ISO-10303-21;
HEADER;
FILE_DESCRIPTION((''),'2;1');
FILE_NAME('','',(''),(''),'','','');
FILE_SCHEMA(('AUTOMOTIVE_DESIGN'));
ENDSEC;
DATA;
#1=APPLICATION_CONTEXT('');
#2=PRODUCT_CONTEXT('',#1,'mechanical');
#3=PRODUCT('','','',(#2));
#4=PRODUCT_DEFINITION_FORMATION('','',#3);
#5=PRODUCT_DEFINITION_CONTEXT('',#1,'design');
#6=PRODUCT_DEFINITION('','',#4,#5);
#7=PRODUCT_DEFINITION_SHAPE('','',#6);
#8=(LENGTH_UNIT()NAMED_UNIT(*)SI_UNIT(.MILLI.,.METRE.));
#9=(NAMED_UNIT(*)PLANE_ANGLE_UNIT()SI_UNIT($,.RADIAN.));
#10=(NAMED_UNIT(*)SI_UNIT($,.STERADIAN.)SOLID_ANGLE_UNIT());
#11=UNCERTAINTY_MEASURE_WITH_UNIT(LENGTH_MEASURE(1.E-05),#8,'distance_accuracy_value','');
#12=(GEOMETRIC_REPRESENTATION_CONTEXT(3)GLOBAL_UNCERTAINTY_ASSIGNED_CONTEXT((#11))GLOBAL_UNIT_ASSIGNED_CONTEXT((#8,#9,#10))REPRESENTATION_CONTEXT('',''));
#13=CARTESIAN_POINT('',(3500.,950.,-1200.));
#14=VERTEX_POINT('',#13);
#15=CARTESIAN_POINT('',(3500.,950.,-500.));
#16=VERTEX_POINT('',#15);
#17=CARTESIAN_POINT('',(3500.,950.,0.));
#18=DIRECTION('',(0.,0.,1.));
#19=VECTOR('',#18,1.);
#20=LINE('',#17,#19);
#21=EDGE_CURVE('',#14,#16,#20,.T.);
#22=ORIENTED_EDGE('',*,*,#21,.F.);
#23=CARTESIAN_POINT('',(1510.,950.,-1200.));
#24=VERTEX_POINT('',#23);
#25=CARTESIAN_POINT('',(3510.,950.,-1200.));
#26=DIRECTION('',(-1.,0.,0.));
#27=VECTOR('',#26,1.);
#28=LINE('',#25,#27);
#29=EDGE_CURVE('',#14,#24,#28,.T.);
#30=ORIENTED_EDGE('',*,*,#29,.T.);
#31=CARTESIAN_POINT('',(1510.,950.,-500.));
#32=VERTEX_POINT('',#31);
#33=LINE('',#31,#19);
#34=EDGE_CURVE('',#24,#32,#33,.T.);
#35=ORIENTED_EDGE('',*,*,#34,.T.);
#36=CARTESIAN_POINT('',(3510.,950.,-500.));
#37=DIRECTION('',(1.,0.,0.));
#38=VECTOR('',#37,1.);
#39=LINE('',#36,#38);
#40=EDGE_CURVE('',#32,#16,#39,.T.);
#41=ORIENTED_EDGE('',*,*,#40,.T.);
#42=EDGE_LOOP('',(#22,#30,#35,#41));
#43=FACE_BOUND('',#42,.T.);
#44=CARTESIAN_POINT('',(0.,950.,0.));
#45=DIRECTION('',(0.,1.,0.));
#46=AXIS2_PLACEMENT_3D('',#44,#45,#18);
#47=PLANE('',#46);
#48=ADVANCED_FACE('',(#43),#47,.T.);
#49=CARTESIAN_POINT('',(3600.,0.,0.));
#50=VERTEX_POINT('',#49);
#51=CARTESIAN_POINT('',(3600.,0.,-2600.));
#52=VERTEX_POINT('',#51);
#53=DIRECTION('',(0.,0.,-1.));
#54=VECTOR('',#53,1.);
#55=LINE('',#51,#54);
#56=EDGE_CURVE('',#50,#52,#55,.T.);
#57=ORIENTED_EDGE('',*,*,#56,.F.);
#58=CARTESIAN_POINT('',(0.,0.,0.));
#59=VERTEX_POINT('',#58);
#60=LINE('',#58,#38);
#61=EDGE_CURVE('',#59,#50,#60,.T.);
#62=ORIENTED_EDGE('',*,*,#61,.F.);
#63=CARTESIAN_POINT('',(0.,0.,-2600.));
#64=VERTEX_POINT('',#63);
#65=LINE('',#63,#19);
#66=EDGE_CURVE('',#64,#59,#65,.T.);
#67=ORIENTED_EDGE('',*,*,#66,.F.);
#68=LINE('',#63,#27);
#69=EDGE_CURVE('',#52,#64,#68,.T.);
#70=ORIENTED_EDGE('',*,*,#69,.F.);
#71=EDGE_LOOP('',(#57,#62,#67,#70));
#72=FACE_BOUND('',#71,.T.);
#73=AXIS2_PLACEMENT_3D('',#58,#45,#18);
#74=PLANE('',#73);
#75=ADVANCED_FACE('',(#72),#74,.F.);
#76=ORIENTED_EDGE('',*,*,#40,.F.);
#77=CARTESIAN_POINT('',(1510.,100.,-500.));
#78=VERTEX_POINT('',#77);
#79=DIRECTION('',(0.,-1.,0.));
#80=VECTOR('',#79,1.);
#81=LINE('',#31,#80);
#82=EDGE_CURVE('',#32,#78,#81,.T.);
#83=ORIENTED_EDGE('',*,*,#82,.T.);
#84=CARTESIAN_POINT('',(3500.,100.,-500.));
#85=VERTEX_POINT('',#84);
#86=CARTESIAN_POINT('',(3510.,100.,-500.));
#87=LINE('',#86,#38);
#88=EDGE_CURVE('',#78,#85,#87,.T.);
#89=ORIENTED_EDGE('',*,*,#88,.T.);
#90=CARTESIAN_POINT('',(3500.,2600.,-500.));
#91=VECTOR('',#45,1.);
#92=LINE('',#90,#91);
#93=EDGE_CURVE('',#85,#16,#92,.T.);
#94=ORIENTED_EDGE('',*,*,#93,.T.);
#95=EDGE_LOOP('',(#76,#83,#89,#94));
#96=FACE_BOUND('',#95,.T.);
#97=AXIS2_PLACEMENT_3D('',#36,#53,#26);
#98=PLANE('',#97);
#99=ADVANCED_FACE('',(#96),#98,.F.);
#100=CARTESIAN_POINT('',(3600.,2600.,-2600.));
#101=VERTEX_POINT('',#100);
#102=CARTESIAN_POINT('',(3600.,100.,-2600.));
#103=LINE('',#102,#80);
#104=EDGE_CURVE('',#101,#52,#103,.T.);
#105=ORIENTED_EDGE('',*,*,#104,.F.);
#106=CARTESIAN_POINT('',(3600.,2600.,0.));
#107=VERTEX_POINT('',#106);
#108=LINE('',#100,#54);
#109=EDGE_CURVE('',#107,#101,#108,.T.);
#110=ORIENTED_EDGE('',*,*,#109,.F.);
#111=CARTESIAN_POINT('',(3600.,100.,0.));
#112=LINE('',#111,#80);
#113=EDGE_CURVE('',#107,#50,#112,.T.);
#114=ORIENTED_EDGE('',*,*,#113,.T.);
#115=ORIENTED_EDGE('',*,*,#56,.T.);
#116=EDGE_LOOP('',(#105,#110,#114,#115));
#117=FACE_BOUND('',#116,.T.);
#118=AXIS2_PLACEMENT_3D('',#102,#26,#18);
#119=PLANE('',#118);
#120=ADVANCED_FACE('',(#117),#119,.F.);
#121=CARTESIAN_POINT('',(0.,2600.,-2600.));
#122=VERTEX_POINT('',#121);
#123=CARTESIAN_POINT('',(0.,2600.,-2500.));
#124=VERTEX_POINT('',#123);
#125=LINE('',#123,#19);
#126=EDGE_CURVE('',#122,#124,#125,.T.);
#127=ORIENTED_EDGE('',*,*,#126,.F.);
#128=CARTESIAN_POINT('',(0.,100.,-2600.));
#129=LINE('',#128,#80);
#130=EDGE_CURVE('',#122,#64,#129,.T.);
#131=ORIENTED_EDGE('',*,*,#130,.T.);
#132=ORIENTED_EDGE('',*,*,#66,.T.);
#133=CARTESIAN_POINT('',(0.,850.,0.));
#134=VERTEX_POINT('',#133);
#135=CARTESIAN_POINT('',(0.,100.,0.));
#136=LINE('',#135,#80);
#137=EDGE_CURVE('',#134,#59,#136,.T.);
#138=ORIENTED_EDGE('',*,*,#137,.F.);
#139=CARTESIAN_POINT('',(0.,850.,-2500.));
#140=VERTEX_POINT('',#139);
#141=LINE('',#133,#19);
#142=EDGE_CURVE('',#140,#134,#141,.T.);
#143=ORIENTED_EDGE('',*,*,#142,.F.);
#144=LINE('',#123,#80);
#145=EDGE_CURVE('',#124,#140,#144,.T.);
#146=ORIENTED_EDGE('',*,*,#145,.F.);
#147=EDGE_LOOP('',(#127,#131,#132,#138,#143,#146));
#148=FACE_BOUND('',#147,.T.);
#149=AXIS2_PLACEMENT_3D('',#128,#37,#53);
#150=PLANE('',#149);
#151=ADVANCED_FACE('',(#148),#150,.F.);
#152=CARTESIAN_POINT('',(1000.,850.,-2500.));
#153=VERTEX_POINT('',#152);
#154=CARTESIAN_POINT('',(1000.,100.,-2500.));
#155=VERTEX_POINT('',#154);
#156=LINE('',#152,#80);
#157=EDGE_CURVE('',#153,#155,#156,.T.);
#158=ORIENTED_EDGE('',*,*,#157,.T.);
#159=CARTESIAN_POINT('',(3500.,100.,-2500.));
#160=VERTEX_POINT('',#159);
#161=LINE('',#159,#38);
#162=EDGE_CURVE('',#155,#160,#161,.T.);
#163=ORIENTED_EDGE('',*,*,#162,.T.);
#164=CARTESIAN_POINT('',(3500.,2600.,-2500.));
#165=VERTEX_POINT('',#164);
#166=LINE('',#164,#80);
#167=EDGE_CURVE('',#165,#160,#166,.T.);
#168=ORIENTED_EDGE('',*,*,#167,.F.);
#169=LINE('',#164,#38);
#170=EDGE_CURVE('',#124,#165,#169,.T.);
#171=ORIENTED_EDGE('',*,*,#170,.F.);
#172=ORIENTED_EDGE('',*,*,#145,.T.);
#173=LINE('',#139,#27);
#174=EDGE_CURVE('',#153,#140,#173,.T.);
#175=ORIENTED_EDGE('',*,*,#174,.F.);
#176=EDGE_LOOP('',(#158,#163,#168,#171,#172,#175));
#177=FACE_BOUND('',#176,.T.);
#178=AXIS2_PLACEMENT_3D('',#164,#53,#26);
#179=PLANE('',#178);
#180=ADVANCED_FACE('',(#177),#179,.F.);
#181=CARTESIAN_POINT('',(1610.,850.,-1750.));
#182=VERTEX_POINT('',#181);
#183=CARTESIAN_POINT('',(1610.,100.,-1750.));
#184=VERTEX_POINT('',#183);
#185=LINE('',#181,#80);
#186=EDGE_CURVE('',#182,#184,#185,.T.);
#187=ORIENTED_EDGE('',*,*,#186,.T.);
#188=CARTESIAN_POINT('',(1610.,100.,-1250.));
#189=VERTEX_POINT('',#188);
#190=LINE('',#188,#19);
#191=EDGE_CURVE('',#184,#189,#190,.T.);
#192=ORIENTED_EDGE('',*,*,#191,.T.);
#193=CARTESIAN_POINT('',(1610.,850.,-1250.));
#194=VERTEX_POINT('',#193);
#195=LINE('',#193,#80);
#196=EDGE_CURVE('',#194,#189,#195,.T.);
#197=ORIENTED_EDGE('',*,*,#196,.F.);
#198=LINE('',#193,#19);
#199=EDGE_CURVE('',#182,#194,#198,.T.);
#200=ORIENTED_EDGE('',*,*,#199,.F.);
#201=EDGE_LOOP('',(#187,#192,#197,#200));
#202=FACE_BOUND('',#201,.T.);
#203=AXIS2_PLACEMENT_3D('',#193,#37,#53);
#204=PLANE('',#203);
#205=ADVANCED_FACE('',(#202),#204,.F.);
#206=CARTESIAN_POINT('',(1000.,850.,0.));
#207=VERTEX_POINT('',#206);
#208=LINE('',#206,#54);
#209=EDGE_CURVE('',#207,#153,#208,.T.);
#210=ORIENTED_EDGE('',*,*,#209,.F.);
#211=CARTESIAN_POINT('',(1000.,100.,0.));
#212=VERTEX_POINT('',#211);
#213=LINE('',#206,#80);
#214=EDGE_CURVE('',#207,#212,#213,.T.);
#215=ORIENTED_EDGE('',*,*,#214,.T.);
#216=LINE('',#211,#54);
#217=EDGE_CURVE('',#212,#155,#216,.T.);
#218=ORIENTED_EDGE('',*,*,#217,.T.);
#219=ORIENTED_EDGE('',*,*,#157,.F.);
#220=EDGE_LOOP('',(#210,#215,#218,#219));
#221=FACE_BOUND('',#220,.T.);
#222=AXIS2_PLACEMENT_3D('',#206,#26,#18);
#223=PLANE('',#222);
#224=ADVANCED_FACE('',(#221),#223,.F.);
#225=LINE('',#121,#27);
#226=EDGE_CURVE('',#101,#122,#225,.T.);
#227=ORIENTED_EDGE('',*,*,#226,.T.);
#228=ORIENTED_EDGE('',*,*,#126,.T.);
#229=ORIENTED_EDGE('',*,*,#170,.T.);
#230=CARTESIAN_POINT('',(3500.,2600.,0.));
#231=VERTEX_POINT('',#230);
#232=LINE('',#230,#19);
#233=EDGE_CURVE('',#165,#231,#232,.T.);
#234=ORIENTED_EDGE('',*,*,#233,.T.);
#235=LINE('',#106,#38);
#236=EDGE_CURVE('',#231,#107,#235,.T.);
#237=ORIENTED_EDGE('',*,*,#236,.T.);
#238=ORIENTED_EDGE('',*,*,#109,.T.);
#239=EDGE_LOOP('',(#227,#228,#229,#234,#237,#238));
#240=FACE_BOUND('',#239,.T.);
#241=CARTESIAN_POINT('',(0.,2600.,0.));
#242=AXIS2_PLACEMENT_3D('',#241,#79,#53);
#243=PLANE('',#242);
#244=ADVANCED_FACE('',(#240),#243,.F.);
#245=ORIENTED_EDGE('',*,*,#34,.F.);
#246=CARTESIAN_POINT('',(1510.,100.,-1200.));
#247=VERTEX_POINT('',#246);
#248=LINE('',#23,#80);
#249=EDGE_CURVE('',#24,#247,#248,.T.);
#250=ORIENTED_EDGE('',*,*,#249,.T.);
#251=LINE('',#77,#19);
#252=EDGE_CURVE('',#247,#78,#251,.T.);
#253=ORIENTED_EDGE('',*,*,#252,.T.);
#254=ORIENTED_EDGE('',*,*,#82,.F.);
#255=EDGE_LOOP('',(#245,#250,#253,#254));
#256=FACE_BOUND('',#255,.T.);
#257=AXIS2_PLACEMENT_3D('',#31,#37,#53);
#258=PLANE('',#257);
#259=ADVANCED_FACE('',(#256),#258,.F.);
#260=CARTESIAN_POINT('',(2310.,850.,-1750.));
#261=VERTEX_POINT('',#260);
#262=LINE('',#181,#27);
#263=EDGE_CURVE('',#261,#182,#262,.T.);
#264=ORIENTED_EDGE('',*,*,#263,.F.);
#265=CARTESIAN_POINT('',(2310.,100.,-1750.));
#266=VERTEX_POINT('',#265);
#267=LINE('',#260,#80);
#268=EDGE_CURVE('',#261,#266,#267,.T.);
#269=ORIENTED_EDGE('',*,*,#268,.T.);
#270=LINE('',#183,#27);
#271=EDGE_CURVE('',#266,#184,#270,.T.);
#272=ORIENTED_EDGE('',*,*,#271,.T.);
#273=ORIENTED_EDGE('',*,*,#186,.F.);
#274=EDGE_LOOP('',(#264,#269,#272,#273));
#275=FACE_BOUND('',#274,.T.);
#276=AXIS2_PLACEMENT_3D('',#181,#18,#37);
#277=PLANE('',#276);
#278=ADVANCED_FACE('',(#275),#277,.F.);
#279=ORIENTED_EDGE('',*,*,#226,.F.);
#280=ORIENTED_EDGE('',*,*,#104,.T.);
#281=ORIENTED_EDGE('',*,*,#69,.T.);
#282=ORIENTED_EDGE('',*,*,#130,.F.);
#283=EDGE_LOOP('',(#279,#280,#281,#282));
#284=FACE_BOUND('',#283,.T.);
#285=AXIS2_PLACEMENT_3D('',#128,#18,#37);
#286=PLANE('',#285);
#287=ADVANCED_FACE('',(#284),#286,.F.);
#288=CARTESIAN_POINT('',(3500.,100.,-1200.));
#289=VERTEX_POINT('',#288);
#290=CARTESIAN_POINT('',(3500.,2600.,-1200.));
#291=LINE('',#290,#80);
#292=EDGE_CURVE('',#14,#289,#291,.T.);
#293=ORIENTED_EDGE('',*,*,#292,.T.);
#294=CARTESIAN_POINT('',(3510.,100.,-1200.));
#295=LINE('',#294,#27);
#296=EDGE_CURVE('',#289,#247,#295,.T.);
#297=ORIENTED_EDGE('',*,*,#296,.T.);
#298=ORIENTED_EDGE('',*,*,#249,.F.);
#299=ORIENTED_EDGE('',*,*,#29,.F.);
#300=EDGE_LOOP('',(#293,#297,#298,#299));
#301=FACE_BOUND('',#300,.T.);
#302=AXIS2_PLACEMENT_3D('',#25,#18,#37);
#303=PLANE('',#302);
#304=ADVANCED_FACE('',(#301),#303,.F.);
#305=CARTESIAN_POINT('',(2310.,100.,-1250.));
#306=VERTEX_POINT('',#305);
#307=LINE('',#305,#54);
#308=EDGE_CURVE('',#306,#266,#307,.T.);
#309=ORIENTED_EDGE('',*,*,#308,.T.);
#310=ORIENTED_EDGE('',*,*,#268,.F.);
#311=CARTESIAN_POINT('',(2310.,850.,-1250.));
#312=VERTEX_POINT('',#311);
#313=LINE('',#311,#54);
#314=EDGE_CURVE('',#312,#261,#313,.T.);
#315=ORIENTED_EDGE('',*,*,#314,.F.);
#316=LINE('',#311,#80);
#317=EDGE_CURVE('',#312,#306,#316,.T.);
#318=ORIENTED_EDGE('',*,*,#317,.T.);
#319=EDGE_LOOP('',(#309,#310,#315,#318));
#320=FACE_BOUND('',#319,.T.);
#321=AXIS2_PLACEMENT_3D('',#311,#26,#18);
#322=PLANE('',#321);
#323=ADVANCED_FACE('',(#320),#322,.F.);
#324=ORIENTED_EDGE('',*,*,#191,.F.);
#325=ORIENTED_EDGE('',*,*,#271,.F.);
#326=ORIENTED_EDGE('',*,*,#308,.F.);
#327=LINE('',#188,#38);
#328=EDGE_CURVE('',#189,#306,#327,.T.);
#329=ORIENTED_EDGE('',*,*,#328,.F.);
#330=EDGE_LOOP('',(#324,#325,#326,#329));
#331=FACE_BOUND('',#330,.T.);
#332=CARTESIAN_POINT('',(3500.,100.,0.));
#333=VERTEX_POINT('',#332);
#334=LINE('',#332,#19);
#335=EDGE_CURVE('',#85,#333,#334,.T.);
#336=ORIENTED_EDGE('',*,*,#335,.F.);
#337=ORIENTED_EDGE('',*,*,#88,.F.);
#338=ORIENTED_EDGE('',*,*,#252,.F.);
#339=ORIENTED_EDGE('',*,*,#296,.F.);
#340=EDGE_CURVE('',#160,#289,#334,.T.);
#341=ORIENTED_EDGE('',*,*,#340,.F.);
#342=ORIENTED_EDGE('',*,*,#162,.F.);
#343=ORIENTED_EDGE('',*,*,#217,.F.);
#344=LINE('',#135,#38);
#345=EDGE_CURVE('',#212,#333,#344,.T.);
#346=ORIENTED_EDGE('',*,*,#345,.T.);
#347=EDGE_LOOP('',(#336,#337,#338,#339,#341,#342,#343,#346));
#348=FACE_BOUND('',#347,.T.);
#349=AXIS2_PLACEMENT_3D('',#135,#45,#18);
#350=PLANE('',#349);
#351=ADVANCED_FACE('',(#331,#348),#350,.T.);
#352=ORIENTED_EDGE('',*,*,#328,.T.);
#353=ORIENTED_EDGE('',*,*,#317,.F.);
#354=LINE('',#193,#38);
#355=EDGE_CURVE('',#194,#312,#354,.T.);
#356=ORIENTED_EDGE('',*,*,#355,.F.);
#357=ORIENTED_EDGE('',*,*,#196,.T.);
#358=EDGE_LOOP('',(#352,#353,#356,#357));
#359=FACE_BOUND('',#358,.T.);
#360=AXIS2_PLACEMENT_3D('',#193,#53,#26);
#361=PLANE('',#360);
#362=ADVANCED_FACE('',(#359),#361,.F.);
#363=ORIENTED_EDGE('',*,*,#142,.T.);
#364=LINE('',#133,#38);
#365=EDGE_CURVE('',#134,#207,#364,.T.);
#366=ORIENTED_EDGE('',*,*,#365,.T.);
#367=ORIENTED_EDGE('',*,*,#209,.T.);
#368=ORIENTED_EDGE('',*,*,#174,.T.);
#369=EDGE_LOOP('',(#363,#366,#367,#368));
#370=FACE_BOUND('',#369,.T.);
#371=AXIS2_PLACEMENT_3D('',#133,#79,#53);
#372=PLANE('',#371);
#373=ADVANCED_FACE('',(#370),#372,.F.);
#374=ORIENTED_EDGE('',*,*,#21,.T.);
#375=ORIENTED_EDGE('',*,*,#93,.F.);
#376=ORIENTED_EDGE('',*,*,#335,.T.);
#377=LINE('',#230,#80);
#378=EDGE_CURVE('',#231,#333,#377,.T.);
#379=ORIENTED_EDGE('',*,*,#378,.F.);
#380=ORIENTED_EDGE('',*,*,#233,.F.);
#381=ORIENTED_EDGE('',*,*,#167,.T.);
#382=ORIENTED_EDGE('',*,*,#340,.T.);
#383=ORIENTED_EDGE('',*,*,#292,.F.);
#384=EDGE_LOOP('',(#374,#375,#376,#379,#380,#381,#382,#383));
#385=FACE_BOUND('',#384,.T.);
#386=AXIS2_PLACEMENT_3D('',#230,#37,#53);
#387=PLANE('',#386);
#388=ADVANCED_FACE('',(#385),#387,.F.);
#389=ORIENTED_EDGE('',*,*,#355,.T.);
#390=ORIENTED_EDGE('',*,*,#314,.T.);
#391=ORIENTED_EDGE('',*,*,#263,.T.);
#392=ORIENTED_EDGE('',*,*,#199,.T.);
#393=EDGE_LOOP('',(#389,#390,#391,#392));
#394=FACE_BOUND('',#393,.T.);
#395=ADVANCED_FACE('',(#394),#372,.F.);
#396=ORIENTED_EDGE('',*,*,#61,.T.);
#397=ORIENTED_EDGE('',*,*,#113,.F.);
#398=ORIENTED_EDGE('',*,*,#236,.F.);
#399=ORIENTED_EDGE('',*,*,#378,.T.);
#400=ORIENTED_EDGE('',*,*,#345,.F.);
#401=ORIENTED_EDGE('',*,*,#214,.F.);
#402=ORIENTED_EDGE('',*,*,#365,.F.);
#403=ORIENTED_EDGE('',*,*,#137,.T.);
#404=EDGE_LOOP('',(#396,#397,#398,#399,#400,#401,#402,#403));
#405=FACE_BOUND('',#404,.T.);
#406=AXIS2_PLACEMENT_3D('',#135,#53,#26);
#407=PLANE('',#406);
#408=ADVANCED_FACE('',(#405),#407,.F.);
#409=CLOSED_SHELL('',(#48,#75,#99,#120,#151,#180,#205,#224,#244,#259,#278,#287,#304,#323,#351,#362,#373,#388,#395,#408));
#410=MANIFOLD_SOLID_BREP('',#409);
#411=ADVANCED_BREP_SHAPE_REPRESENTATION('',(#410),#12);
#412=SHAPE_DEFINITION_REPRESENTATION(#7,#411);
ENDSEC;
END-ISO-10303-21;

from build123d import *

# Parameters (mm, degrees)
SKETCH1_W           = 3600
SKETCH1_H           = 2600
BOSS_EXTRUDE1_DEPTH = 100
BOSS_EXTRUDE2_DEPTH = 2500
SKETCH4_W           = 2000
SKETCH4_H           = 700
BOSS_EXTRUDE3_DEPTH = 850
SKETCH5_W           = 1000
SKETCH5_H           = 2500
BOSS_EXTRUDE4_DEPTH = 750
SKETCH6_W           = 700
SKETCH6_H           = 500
BOSS_EXTRUDE5_DEPTH = 750


with BuildPart() as part:
    # Sketch1 → Boss-Extrude1 (new body)
    with BuildSketch(Plane(origin=(0, 0, 0), x_dir=(1, 0, 0), z_dir=(0, 1, 0))):
        with Locations((1800, 1300)):
            Rectangle(SKETCH1_W, SKETCH1_H)
    extrude(amount=BOSS_EXTRUDE1_DEPTH)

    # Sketch2 → Boss-Extrude2 (add)
    with BuildSketch(Plane(origin=(0, 100, 0), x_dir=(1, 0, 0), z_dir=(0, 1, 0))):
        Polygon((3600, 0), (3500, 0), (3500, 2500), (0, 2500), (0, 2600), (3600, 2600), align=None)
    extrude(amount=BOSS_EXTRUDE2_DEPTH)

    # Sketch4 → Boss-Extrude3 (add)
    with BuildSketch(Plane(origin=(0, 100, 0), x_dir=(1, 0, 0), z_dir=(0, 1, 0))):
        with Locations((2510, 850)):
            Rectangle(SKETCH4_W, SKETCH4_H)
    extrude(amount=BOSS_EXTRUDE3_DEPTH)

    # Sketch5 → Boss-Extrude4 (add)
    with BuildSketch(Plane(origin=(0, 100, 0), x_dir=(1, 0, 0), z_dir=(0, 1, 0))):
        with Locations((500, 1250)):
            Rectangle(SKETCH5_W, SKETCH5_H)
    extrude(amount=BOSS_EXTRUDE4_DEPTH)

    # Sketch6 → Boss-Extrude5 (add)
    with BuildSketch(Plane(origin=(0, 100, 0), x_dir=(1, 0, 0), z_dir=(0, 1, 0))):
        with Locations((1960, 1500)):
            Rectangle(SKETCH6_W, SKETCH6_H)
    extrude(amount=BOSS_EXTRUDE5_DEPTH)


solid = part.part
